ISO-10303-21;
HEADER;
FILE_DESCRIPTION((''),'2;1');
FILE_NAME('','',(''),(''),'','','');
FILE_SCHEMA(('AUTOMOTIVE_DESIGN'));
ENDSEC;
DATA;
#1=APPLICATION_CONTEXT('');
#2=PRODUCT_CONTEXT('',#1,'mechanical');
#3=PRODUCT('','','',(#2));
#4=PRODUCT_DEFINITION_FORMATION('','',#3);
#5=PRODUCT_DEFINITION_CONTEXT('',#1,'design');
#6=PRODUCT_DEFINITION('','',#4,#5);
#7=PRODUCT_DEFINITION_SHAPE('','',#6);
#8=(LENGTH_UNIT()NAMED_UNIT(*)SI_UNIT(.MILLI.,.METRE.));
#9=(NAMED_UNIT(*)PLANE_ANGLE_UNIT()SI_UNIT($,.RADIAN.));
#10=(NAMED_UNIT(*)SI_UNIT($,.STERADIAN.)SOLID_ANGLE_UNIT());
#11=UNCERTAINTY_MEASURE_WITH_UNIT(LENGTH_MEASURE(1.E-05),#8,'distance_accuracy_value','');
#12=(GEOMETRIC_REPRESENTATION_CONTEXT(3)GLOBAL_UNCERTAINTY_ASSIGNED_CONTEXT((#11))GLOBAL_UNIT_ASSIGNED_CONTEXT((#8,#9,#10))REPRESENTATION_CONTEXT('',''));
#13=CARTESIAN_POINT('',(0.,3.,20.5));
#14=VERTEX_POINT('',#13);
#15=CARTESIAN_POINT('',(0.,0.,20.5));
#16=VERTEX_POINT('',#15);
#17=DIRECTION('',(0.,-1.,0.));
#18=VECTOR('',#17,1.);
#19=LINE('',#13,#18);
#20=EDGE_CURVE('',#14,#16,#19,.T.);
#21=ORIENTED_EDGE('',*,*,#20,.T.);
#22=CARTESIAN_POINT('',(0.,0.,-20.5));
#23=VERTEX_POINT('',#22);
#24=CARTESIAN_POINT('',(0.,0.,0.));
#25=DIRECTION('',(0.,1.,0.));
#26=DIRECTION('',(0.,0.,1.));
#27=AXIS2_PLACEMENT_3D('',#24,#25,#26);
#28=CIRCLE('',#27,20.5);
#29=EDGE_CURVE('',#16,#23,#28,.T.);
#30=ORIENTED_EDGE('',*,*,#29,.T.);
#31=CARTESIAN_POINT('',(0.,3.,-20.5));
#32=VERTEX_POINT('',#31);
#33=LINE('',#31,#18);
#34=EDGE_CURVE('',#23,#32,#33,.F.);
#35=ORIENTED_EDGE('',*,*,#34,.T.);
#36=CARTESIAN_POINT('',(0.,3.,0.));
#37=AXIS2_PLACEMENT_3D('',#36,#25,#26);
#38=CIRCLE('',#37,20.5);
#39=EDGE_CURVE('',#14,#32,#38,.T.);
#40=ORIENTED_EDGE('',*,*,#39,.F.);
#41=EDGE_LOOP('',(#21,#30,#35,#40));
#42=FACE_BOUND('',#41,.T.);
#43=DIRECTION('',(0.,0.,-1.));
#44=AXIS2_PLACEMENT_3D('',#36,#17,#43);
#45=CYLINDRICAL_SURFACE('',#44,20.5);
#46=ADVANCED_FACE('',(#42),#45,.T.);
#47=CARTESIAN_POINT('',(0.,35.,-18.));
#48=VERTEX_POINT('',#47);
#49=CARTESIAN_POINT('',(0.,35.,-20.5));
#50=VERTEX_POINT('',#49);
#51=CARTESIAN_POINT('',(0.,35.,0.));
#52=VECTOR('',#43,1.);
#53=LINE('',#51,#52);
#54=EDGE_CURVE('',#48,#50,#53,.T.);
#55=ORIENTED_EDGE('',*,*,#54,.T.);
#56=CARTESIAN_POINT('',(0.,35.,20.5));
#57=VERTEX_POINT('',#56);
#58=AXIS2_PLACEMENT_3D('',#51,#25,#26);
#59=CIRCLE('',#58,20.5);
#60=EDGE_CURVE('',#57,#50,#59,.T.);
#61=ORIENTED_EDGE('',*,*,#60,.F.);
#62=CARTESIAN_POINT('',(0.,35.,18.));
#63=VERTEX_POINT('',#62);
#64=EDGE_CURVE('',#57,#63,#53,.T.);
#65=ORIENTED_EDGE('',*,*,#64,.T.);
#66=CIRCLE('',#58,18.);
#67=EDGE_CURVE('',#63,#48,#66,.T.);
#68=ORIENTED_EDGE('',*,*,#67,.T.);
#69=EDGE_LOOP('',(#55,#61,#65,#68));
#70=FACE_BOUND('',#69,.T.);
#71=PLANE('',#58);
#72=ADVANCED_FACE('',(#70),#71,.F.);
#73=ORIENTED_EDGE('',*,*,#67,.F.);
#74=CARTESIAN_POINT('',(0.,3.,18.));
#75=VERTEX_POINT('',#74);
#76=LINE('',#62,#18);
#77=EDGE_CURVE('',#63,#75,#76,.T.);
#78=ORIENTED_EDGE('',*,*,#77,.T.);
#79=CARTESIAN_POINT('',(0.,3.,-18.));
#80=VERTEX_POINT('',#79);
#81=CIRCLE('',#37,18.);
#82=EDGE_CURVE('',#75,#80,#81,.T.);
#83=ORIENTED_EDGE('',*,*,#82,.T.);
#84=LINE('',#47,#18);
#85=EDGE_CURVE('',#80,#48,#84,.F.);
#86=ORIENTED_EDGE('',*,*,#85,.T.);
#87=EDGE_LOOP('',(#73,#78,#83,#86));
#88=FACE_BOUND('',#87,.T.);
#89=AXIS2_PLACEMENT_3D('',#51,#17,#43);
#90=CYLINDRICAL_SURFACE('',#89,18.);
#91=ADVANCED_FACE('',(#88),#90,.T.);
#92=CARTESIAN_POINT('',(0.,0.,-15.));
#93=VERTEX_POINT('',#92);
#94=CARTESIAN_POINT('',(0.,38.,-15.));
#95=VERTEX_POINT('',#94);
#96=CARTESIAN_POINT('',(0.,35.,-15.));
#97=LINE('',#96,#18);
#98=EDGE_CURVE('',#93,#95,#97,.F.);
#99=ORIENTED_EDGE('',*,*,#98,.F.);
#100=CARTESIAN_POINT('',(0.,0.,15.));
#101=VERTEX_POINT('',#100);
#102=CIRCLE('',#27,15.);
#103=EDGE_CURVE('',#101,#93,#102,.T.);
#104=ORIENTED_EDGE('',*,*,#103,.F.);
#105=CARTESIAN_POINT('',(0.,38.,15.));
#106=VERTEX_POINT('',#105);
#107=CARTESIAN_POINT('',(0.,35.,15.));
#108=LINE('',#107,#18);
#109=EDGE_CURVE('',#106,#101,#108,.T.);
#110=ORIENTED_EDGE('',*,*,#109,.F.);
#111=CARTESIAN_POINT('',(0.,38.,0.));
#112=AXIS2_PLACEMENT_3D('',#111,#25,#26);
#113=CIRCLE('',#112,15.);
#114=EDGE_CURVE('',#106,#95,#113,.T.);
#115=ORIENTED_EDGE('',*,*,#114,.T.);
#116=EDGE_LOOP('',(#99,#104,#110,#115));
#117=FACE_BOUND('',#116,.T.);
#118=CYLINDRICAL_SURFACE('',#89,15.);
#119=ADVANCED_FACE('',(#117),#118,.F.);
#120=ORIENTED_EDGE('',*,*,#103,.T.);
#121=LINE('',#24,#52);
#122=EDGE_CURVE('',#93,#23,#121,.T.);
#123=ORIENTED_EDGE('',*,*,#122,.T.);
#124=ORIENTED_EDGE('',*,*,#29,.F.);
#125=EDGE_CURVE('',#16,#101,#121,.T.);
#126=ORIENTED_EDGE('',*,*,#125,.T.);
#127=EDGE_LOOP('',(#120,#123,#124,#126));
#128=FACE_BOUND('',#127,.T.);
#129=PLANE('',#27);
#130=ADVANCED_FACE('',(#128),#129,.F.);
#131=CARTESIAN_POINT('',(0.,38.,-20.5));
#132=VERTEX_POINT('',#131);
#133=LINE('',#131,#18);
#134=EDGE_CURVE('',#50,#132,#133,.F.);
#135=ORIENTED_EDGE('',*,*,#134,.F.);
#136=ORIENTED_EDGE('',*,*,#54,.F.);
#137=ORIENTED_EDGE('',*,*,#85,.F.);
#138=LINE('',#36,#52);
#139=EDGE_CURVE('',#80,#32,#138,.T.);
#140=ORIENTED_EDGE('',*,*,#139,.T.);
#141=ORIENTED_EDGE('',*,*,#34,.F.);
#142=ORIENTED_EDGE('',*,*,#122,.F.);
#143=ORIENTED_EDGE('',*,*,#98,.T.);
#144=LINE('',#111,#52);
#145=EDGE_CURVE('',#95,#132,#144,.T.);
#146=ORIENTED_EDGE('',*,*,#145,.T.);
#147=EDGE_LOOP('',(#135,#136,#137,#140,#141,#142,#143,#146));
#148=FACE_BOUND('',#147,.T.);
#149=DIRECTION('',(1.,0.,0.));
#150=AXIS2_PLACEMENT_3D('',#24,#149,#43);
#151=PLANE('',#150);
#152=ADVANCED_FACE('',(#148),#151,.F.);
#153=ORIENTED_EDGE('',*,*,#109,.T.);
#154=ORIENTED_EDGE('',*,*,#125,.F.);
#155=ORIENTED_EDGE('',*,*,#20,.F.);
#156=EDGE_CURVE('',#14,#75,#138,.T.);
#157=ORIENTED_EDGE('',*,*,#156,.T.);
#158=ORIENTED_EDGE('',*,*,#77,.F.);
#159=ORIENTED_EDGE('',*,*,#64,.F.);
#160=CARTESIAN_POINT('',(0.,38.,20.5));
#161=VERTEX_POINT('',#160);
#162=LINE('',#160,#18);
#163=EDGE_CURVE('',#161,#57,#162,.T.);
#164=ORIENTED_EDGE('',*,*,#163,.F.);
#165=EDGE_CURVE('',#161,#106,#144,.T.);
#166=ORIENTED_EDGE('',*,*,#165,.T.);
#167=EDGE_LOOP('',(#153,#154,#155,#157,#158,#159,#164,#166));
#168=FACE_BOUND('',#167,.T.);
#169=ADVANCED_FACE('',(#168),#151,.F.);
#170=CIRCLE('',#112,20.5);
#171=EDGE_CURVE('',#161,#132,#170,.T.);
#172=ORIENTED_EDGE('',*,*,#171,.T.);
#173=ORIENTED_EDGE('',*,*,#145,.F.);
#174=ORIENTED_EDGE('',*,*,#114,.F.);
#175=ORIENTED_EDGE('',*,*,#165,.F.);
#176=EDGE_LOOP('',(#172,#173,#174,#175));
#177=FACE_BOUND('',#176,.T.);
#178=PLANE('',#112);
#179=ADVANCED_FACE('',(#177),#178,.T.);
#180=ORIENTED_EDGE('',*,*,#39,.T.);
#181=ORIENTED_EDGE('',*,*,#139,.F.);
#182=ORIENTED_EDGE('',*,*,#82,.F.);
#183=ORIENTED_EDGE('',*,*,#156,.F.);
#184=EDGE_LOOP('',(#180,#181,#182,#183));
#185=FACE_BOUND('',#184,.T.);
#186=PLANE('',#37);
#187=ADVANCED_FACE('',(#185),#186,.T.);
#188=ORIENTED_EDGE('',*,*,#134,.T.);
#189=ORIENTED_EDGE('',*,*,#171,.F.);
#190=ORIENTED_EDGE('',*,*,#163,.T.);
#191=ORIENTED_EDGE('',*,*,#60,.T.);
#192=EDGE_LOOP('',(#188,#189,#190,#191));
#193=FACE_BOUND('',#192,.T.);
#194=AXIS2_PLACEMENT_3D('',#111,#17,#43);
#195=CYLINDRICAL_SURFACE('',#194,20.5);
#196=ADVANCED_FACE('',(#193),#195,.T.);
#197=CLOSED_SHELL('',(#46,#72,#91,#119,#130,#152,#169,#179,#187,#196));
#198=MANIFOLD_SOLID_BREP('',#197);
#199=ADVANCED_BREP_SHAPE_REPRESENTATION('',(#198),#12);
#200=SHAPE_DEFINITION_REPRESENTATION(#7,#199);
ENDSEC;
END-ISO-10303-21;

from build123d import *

# Parameters (mm, degrees)
SKETCH1_R           = 18
SKETCH1_R_2         = 15
BOSS_EXTRUDE1_DEPTH = 35
SKETCH2_R           = 20.5
SKETCH2_R_2         = 15
BOSS_EXTRUDE2_DEPTH = 3
SKETCH3_R           = 20.5
SKETCH3_R_2         = 15
BOSS_EXTRUDE3_DEPTH = 3
SKETCH2_2_R         = 20.5
SKETCH2_2_R_2       = 15
BOSS_EXTRUDE4_DEPTH = 3


with BuildPart() as part:
    # Sketch1 → Boss-Extrude1 (new body)
    with BuildSketch(Plane(origin=(0, 0, 0), x_dir=(1, 0, 0), z_dir=(0, 1, 0))):
        Circle(SKETCH1_R)
        Circle(SKETCH1_R_2, mode=Mode.SUBTRACT)
    extrude(amount=BOSS_EXTRUDE1_DEPTH)

    # Sketch2 → Boss-Extrude2 (add)
    with BuildSketch(Plane(origin=(0, 0, 0), x_dir=(1, 0, 0), z_dir=(0, 1, 0))):
        Circle(SKETCH2_R)
        Circle(SKETCH2_R_2, mode=Mode.SUBTRACT)
    extrude(amount=BOSS_EXTRUDE2_DEPTH)

    # Sketch3 → Boss-Extrude3 (add)
    with BuildSketch(Plane(origin=(0, 35, 0), x_dir=(1, 0, 0), z_dir=(0, 1, 0))):
        Circle(SKETCH3_R)
        Circle(SKETCH3_R_2, mode=Mode.SUBTRACT)
    extrude(amount=BOSS_EXTRUDE3_DEPTH)

    # Sketch2<2> → Boss-Extrude4 (add)
    with BuildSketch(Plane(origin=(0, 0, 0), x_dir=(1, 0, 0), z_dir=(0, 1, 0))):
        Circle(SKETCH2_2_R)
        Circle(SKETCH2_2_R_2, mode=Mode.SUBTRACT)
    extrude(amount=BOSS_EXTRUDE4_DEPTH)

    # Split1
    split(bisect_by=Plane(origin=(0, 0, 0), x_dir=(0, 0, 1), z_dir=(1, 0, 0)), keep=Keep.TOP)


solid = part.part
